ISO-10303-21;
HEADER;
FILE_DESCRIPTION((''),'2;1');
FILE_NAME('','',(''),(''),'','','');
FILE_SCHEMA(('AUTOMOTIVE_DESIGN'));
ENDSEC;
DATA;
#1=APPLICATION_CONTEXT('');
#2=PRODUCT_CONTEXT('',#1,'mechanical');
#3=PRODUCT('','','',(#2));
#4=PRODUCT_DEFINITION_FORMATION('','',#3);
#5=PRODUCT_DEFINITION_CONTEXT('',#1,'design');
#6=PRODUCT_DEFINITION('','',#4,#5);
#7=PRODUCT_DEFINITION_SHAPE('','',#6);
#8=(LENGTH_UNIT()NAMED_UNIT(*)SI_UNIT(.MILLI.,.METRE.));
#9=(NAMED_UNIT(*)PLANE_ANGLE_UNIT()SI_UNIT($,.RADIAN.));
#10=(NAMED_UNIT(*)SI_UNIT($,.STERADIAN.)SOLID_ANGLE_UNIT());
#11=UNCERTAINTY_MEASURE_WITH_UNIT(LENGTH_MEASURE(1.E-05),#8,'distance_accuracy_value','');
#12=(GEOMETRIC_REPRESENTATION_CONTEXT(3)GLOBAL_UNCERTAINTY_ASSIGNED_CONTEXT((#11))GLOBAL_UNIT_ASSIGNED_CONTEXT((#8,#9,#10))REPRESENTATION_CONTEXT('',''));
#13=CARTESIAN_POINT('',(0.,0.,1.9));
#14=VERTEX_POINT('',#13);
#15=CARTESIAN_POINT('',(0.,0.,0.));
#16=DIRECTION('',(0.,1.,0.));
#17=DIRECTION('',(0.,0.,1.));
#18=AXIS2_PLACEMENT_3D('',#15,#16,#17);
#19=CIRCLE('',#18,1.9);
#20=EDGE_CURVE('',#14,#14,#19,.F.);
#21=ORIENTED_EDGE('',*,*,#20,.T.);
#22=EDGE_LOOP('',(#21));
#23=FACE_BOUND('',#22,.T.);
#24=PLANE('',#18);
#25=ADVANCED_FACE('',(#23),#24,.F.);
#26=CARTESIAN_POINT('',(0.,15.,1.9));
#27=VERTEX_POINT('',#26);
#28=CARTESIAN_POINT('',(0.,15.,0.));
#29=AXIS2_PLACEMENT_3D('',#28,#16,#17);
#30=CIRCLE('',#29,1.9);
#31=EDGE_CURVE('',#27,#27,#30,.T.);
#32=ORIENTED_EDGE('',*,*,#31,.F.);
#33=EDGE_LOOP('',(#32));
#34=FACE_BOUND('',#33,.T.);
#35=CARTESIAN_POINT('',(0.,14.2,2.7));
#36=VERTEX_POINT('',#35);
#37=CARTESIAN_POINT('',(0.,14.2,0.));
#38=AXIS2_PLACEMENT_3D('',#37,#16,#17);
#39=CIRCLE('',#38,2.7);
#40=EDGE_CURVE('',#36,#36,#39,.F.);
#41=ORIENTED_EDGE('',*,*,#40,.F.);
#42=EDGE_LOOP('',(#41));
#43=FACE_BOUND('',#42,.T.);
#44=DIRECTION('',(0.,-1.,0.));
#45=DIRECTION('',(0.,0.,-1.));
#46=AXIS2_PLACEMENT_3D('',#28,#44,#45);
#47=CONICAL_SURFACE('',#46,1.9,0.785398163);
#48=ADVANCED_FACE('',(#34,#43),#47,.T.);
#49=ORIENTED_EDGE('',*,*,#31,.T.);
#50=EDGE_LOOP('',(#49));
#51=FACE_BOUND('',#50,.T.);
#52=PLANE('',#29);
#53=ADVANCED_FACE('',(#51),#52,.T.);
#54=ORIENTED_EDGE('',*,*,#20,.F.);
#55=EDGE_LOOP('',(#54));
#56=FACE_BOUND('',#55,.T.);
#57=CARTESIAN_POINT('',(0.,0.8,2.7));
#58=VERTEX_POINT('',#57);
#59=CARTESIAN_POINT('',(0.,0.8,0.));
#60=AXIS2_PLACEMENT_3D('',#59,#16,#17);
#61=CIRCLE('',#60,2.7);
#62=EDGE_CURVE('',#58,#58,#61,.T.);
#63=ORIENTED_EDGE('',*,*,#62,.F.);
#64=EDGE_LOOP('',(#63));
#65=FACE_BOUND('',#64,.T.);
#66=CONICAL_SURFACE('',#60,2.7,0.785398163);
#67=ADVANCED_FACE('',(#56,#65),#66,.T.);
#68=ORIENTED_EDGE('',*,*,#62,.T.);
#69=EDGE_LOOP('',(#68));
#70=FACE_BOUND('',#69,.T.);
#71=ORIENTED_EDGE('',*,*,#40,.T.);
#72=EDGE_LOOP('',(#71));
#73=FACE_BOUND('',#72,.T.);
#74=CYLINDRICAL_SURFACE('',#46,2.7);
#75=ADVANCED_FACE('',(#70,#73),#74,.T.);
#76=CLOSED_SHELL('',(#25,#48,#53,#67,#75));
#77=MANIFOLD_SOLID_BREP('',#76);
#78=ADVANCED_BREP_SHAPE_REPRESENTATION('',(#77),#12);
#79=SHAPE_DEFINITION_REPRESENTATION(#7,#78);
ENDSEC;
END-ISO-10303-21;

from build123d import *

# Parameters (mm, degrees)
SKETCH1_R           = 2.7
BOSS_EXTRUDE1_DEPTH = 15
CHAMFER1_SIZE       = 0.8


with BuildPart() as part:
    # Sketch1 → Boss-Extrude1 (new body)
    with BuildSketch(Plane(origin=(0, 0, 0), x_dir=(1, 0, 0), z_dir=(0, 1, 0))):
        with Locations(Location((0, 0, 0), (0, 0, 270))):
            Circle(SKETCH1_R)
    extrude(amount=BOSS_EXTRUDE1_DEPTH)

    # Chamfer1
    chamfer1_edges = [part.edges().sort_by_distance(p)[0] for p in [
        (0, 0, -2.7),
        (0, 15, -2.7),
    ]]
    chamfer(chamfer1_edges, length=CHAMFER1_SIZE)


solid = part.part
